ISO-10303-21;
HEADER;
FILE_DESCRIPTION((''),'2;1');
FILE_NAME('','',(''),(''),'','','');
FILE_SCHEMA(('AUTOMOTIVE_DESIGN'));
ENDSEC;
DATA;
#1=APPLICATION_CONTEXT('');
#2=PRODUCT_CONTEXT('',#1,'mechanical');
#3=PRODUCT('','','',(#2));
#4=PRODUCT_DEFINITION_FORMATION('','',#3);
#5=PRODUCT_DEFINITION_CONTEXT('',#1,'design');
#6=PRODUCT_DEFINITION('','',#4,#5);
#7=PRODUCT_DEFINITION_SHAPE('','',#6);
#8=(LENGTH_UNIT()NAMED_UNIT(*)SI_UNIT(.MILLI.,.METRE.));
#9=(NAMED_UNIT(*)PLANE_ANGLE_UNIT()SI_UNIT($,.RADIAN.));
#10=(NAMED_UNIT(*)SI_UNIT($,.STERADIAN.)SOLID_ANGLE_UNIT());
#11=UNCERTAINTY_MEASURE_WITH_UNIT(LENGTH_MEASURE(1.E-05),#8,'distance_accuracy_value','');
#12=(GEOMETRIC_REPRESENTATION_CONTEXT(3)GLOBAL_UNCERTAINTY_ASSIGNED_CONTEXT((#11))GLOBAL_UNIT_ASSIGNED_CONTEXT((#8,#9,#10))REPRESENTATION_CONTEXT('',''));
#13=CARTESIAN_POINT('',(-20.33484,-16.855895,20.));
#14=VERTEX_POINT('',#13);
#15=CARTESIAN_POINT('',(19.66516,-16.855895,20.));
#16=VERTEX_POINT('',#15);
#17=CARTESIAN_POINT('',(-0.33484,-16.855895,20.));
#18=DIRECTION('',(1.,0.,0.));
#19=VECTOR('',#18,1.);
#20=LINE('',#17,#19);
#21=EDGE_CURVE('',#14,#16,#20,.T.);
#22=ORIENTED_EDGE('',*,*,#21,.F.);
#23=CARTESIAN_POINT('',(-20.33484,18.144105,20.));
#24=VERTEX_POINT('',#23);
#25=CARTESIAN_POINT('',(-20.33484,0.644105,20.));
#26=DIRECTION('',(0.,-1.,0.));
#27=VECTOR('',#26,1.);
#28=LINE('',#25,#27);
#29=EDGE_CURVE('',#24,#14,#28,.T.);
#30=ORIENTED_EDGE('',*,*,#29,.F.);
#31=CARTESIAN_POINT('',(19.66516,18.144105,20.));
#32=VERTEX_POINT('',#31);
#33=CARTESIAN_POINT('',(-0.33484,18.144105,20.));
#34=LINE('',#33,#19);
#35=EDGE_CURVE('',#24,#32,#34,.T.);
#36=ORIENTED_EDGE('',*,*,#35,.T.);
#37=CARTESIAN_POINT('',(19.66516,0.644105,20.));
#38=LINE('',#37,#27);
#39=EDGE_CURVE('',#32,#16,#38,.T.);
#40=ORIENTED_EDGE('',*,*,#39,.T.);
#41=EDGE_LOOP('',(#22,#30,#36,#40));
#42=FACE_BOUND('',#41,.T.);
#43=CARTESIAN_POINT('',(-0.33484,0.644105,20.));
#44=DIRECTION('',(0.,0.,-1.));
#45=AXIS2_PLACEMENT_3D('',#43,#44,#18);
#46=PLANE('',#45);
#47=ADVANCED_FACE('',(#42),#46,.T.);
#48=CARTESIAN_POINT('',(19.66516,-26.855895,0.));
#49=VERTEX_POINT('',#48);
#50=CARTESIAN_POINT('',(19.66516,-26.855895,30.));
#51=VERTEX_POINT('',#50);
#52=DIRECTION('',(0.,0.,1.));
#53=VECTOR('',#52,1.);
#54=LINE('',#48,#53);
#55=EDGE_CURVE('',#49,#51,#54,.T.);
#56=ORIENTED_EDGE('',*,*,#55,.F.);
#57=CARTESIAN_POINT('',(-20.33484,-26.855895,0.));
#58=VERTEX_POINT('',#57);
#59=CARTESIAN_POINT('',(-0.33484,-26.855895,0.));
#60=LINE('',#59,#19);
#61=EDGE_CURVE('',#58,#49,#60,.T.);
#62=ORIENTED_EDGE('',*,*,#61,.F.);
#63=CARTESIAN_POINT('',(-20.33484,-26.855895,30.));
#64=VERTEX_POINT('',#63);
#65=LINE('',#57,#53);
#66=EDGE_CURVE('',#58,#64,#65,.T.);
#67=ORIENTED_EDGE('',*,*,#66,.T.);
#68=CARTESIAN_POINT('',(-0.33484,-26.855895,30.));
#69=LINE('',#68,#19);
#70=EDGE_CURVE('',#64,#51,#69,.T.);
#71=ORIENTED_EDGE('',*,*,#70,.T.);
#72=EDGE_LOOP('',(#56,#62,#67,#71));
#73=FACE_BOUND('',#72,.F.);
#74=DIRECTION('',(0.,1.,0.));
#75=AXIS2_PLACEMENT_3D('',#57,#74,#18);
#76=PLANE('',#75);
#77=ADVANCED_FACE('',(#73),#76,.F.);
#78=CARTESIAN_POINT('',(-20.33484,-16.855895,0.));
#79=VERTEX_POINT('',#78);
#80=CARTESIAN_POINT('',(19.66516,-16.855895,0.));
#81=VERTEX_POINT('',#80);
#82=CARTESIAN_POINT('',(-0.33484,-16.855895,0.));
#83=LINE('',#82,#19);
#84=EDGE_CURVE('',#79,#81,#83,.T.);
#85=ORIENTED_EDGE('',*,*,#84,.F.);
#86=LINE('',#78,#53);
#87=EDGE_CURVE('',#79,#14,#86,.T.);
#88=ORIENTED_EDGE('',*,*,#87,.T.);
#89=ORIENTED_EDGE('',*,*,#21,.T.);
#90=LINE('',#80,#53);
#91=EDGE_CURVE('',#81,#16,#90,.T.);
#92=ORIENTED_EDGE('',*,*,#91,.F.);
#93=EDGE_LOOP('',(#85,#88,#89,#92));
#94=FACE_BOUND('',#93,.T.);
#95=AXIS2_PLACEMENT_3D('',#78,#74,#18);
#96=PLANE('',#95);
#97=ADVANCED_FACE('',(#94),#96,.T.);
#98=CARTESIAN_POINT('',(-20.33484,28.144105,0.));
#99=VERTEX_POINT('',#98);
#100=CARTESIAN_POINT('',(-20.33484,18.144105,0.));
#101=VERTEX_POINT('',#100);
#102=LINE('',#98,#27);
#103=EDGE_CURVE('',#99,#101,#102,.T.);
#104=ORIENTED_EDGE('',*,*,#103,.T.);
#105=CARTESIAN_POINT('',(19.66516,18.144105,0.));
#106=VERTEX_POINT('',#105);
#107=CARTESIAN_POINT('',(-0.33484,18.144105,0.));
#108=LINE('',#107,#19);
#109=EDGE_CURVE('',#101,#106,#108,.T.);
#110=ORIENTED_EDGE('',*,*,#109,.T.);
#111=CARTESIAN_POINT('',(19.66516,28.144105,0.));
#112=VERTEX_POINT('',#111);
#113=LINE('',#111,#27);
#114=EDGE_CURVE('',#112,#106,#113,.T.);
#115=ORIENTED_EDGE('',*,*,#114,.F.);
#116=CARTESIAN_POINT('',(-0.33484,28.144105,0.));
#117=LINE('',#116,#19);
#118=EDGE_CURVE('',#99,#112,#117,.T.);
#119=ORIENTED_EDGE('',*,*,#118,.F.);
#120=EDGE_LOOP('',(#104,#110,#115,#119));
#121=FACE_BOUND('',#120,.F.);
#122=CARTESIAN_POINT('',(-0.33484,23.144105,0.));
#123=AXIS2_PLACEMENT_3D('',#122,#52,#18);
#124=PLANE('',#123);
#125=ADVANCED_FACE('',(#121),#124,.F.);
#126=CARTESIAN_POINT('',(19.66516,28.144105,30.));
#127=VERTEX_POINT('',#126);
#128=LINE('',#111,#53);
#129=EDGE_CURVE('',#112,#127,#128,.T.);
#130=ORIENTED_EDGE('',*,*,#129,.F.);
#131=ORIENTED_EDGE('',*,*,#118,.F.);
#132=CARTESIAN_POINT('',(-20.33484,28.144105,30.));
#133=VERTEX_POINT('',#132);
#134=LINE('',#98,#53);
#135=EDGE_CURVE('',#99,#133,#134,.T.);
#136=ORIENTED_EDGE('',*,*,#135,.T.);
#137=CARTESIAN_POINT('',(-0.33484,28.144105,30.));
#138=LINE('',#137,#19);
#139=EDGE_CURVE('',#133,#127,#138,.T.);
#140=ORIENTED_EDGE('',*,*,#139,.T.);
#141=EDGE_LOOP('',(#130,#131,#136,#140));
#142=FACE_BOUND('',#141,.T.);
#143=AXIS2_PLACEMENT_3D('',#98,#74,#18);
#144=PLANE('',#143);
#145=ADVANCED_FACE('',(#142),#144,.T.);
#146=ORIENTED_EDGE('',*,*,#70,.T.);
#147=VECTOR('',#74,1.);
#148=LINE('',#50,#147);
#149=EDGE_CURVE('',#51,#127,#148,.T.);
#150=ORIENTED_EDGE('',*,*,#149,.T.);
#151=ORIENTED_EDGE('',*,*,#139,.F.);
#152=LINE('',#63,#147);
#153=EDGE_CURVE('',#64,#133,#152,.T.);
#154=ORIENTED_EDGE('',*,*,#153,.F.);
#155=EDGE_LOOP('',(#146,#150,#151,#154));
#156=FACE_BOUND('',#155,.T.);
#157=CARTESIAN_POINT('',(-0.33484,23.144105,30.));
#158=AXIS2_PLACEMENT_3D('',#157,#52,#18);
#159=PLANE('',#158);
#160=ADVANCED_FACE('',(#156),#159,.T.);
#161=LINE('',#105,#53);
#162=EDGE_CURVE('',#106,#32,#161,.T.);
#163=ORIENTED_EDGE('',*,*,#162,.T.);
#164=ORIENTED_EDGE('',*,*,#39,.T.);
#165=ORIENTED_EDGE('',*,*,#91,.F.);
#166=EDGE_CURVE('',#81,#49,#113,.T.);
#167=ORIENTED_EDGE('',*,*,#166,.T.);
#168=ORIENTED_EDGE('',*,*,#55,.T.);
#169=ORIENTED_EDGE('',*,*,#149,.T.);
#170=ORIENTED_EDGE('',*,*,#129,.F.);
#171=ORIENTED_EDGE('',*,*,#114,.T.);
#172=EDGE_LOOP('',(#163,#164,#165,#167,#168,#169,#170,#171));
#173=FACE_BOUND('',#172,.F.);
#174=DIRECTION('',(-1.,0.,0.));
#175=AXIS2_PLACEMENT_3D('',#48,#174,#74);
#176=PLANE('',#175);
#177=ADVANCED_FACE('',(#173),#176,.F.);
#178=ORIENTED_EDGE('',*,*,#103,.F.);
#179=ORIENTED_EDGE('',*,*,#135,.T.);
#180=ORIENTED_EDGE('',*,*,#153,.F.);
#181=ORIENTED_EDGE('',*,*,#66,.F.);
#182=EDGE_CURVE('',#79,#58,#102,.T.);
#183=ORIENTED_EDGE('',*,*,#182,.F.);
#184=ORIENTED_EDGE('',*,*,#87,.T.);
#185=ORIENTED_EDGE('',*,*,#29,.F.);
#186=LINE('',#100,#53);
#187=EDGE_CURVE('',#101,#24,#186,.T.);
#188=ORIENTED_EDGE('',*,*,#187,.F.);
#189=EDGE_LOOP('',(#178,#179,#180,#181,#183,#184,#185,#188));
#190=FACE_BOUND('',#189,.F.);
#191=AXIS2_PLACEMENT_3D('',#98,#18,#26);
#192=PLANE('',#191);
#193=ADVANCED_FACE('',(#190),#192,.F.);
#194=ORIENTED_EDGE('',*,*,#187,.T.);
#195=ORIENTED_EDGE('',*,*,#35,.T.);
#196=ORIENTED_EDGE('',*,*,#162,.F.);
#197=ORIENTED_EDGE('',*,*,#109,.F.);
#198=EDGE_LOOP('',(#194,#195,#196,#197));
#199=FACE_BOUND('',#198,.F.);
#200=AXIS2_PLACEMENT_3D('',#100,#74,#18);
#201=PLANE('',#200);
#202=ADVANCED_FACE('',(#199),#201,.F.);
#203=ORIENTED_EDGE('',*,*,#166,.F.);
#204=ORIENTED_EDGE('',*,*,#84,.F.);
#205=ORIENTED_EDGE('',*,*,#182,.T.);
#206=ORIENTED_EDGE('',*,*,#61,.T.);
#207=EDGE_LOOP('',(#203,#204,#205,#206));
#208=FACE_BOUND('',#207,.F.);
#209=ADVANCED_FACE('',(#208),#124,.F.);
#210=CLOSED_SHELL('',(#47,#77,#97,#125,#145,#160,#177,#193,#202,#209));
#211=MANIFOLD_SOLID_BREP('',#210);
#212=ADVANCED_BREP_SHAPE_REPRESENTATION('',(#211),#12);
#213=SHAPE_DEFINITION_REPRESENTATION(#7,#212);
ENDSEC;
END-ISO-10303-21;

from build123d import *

# Parameters (mm, degrees)
F0_W     = 40
F0_H     = 35
F1_DEPTH = 30
F0_H_2   = 10
F2_DEPTH = 30
F3_W     = 40
F3_H     = 35
F4_DEPTH = 20


with BuildPart() as f1:
    # F0 (on Top) → F1 (new body)
    with BuildSketch(Plane.XY):
        with Locations((-0.33484, 0.644105)):
            Rectangle(F0_W, F0_H)
    extrude(amount=F1_DEPTH)

    # F0 (on Top) → F2 (join)
    with BuildSketch(Plane.XY):
        with Locations((-0.33484, 23.144105)):
            Rectangle(F0_W, F0_H_2)
        with Locations((-0.33484, 0.644105)):
            Rectangle(F0_W, F0_H)
        with Locations((-0.33484, -21.855895)):
            Rectangle(F0_W, F0_H_2)
    extrude(amount=F2_DEPTH)

    # F3 (on face) → F4 (cut)
    with BuildSketch(Plane(origin=(0, 0, 0), x_dir=(1, 0, 0), z_dir=(0, 0, -1))):
        with Locations((-0.33484, -0.644105)):
            Rectangle(F3_W, F3_H)
    extrude(amount=-F4_DEPTH, mode=Mode.SUBTRACT)


solid = f1.part
